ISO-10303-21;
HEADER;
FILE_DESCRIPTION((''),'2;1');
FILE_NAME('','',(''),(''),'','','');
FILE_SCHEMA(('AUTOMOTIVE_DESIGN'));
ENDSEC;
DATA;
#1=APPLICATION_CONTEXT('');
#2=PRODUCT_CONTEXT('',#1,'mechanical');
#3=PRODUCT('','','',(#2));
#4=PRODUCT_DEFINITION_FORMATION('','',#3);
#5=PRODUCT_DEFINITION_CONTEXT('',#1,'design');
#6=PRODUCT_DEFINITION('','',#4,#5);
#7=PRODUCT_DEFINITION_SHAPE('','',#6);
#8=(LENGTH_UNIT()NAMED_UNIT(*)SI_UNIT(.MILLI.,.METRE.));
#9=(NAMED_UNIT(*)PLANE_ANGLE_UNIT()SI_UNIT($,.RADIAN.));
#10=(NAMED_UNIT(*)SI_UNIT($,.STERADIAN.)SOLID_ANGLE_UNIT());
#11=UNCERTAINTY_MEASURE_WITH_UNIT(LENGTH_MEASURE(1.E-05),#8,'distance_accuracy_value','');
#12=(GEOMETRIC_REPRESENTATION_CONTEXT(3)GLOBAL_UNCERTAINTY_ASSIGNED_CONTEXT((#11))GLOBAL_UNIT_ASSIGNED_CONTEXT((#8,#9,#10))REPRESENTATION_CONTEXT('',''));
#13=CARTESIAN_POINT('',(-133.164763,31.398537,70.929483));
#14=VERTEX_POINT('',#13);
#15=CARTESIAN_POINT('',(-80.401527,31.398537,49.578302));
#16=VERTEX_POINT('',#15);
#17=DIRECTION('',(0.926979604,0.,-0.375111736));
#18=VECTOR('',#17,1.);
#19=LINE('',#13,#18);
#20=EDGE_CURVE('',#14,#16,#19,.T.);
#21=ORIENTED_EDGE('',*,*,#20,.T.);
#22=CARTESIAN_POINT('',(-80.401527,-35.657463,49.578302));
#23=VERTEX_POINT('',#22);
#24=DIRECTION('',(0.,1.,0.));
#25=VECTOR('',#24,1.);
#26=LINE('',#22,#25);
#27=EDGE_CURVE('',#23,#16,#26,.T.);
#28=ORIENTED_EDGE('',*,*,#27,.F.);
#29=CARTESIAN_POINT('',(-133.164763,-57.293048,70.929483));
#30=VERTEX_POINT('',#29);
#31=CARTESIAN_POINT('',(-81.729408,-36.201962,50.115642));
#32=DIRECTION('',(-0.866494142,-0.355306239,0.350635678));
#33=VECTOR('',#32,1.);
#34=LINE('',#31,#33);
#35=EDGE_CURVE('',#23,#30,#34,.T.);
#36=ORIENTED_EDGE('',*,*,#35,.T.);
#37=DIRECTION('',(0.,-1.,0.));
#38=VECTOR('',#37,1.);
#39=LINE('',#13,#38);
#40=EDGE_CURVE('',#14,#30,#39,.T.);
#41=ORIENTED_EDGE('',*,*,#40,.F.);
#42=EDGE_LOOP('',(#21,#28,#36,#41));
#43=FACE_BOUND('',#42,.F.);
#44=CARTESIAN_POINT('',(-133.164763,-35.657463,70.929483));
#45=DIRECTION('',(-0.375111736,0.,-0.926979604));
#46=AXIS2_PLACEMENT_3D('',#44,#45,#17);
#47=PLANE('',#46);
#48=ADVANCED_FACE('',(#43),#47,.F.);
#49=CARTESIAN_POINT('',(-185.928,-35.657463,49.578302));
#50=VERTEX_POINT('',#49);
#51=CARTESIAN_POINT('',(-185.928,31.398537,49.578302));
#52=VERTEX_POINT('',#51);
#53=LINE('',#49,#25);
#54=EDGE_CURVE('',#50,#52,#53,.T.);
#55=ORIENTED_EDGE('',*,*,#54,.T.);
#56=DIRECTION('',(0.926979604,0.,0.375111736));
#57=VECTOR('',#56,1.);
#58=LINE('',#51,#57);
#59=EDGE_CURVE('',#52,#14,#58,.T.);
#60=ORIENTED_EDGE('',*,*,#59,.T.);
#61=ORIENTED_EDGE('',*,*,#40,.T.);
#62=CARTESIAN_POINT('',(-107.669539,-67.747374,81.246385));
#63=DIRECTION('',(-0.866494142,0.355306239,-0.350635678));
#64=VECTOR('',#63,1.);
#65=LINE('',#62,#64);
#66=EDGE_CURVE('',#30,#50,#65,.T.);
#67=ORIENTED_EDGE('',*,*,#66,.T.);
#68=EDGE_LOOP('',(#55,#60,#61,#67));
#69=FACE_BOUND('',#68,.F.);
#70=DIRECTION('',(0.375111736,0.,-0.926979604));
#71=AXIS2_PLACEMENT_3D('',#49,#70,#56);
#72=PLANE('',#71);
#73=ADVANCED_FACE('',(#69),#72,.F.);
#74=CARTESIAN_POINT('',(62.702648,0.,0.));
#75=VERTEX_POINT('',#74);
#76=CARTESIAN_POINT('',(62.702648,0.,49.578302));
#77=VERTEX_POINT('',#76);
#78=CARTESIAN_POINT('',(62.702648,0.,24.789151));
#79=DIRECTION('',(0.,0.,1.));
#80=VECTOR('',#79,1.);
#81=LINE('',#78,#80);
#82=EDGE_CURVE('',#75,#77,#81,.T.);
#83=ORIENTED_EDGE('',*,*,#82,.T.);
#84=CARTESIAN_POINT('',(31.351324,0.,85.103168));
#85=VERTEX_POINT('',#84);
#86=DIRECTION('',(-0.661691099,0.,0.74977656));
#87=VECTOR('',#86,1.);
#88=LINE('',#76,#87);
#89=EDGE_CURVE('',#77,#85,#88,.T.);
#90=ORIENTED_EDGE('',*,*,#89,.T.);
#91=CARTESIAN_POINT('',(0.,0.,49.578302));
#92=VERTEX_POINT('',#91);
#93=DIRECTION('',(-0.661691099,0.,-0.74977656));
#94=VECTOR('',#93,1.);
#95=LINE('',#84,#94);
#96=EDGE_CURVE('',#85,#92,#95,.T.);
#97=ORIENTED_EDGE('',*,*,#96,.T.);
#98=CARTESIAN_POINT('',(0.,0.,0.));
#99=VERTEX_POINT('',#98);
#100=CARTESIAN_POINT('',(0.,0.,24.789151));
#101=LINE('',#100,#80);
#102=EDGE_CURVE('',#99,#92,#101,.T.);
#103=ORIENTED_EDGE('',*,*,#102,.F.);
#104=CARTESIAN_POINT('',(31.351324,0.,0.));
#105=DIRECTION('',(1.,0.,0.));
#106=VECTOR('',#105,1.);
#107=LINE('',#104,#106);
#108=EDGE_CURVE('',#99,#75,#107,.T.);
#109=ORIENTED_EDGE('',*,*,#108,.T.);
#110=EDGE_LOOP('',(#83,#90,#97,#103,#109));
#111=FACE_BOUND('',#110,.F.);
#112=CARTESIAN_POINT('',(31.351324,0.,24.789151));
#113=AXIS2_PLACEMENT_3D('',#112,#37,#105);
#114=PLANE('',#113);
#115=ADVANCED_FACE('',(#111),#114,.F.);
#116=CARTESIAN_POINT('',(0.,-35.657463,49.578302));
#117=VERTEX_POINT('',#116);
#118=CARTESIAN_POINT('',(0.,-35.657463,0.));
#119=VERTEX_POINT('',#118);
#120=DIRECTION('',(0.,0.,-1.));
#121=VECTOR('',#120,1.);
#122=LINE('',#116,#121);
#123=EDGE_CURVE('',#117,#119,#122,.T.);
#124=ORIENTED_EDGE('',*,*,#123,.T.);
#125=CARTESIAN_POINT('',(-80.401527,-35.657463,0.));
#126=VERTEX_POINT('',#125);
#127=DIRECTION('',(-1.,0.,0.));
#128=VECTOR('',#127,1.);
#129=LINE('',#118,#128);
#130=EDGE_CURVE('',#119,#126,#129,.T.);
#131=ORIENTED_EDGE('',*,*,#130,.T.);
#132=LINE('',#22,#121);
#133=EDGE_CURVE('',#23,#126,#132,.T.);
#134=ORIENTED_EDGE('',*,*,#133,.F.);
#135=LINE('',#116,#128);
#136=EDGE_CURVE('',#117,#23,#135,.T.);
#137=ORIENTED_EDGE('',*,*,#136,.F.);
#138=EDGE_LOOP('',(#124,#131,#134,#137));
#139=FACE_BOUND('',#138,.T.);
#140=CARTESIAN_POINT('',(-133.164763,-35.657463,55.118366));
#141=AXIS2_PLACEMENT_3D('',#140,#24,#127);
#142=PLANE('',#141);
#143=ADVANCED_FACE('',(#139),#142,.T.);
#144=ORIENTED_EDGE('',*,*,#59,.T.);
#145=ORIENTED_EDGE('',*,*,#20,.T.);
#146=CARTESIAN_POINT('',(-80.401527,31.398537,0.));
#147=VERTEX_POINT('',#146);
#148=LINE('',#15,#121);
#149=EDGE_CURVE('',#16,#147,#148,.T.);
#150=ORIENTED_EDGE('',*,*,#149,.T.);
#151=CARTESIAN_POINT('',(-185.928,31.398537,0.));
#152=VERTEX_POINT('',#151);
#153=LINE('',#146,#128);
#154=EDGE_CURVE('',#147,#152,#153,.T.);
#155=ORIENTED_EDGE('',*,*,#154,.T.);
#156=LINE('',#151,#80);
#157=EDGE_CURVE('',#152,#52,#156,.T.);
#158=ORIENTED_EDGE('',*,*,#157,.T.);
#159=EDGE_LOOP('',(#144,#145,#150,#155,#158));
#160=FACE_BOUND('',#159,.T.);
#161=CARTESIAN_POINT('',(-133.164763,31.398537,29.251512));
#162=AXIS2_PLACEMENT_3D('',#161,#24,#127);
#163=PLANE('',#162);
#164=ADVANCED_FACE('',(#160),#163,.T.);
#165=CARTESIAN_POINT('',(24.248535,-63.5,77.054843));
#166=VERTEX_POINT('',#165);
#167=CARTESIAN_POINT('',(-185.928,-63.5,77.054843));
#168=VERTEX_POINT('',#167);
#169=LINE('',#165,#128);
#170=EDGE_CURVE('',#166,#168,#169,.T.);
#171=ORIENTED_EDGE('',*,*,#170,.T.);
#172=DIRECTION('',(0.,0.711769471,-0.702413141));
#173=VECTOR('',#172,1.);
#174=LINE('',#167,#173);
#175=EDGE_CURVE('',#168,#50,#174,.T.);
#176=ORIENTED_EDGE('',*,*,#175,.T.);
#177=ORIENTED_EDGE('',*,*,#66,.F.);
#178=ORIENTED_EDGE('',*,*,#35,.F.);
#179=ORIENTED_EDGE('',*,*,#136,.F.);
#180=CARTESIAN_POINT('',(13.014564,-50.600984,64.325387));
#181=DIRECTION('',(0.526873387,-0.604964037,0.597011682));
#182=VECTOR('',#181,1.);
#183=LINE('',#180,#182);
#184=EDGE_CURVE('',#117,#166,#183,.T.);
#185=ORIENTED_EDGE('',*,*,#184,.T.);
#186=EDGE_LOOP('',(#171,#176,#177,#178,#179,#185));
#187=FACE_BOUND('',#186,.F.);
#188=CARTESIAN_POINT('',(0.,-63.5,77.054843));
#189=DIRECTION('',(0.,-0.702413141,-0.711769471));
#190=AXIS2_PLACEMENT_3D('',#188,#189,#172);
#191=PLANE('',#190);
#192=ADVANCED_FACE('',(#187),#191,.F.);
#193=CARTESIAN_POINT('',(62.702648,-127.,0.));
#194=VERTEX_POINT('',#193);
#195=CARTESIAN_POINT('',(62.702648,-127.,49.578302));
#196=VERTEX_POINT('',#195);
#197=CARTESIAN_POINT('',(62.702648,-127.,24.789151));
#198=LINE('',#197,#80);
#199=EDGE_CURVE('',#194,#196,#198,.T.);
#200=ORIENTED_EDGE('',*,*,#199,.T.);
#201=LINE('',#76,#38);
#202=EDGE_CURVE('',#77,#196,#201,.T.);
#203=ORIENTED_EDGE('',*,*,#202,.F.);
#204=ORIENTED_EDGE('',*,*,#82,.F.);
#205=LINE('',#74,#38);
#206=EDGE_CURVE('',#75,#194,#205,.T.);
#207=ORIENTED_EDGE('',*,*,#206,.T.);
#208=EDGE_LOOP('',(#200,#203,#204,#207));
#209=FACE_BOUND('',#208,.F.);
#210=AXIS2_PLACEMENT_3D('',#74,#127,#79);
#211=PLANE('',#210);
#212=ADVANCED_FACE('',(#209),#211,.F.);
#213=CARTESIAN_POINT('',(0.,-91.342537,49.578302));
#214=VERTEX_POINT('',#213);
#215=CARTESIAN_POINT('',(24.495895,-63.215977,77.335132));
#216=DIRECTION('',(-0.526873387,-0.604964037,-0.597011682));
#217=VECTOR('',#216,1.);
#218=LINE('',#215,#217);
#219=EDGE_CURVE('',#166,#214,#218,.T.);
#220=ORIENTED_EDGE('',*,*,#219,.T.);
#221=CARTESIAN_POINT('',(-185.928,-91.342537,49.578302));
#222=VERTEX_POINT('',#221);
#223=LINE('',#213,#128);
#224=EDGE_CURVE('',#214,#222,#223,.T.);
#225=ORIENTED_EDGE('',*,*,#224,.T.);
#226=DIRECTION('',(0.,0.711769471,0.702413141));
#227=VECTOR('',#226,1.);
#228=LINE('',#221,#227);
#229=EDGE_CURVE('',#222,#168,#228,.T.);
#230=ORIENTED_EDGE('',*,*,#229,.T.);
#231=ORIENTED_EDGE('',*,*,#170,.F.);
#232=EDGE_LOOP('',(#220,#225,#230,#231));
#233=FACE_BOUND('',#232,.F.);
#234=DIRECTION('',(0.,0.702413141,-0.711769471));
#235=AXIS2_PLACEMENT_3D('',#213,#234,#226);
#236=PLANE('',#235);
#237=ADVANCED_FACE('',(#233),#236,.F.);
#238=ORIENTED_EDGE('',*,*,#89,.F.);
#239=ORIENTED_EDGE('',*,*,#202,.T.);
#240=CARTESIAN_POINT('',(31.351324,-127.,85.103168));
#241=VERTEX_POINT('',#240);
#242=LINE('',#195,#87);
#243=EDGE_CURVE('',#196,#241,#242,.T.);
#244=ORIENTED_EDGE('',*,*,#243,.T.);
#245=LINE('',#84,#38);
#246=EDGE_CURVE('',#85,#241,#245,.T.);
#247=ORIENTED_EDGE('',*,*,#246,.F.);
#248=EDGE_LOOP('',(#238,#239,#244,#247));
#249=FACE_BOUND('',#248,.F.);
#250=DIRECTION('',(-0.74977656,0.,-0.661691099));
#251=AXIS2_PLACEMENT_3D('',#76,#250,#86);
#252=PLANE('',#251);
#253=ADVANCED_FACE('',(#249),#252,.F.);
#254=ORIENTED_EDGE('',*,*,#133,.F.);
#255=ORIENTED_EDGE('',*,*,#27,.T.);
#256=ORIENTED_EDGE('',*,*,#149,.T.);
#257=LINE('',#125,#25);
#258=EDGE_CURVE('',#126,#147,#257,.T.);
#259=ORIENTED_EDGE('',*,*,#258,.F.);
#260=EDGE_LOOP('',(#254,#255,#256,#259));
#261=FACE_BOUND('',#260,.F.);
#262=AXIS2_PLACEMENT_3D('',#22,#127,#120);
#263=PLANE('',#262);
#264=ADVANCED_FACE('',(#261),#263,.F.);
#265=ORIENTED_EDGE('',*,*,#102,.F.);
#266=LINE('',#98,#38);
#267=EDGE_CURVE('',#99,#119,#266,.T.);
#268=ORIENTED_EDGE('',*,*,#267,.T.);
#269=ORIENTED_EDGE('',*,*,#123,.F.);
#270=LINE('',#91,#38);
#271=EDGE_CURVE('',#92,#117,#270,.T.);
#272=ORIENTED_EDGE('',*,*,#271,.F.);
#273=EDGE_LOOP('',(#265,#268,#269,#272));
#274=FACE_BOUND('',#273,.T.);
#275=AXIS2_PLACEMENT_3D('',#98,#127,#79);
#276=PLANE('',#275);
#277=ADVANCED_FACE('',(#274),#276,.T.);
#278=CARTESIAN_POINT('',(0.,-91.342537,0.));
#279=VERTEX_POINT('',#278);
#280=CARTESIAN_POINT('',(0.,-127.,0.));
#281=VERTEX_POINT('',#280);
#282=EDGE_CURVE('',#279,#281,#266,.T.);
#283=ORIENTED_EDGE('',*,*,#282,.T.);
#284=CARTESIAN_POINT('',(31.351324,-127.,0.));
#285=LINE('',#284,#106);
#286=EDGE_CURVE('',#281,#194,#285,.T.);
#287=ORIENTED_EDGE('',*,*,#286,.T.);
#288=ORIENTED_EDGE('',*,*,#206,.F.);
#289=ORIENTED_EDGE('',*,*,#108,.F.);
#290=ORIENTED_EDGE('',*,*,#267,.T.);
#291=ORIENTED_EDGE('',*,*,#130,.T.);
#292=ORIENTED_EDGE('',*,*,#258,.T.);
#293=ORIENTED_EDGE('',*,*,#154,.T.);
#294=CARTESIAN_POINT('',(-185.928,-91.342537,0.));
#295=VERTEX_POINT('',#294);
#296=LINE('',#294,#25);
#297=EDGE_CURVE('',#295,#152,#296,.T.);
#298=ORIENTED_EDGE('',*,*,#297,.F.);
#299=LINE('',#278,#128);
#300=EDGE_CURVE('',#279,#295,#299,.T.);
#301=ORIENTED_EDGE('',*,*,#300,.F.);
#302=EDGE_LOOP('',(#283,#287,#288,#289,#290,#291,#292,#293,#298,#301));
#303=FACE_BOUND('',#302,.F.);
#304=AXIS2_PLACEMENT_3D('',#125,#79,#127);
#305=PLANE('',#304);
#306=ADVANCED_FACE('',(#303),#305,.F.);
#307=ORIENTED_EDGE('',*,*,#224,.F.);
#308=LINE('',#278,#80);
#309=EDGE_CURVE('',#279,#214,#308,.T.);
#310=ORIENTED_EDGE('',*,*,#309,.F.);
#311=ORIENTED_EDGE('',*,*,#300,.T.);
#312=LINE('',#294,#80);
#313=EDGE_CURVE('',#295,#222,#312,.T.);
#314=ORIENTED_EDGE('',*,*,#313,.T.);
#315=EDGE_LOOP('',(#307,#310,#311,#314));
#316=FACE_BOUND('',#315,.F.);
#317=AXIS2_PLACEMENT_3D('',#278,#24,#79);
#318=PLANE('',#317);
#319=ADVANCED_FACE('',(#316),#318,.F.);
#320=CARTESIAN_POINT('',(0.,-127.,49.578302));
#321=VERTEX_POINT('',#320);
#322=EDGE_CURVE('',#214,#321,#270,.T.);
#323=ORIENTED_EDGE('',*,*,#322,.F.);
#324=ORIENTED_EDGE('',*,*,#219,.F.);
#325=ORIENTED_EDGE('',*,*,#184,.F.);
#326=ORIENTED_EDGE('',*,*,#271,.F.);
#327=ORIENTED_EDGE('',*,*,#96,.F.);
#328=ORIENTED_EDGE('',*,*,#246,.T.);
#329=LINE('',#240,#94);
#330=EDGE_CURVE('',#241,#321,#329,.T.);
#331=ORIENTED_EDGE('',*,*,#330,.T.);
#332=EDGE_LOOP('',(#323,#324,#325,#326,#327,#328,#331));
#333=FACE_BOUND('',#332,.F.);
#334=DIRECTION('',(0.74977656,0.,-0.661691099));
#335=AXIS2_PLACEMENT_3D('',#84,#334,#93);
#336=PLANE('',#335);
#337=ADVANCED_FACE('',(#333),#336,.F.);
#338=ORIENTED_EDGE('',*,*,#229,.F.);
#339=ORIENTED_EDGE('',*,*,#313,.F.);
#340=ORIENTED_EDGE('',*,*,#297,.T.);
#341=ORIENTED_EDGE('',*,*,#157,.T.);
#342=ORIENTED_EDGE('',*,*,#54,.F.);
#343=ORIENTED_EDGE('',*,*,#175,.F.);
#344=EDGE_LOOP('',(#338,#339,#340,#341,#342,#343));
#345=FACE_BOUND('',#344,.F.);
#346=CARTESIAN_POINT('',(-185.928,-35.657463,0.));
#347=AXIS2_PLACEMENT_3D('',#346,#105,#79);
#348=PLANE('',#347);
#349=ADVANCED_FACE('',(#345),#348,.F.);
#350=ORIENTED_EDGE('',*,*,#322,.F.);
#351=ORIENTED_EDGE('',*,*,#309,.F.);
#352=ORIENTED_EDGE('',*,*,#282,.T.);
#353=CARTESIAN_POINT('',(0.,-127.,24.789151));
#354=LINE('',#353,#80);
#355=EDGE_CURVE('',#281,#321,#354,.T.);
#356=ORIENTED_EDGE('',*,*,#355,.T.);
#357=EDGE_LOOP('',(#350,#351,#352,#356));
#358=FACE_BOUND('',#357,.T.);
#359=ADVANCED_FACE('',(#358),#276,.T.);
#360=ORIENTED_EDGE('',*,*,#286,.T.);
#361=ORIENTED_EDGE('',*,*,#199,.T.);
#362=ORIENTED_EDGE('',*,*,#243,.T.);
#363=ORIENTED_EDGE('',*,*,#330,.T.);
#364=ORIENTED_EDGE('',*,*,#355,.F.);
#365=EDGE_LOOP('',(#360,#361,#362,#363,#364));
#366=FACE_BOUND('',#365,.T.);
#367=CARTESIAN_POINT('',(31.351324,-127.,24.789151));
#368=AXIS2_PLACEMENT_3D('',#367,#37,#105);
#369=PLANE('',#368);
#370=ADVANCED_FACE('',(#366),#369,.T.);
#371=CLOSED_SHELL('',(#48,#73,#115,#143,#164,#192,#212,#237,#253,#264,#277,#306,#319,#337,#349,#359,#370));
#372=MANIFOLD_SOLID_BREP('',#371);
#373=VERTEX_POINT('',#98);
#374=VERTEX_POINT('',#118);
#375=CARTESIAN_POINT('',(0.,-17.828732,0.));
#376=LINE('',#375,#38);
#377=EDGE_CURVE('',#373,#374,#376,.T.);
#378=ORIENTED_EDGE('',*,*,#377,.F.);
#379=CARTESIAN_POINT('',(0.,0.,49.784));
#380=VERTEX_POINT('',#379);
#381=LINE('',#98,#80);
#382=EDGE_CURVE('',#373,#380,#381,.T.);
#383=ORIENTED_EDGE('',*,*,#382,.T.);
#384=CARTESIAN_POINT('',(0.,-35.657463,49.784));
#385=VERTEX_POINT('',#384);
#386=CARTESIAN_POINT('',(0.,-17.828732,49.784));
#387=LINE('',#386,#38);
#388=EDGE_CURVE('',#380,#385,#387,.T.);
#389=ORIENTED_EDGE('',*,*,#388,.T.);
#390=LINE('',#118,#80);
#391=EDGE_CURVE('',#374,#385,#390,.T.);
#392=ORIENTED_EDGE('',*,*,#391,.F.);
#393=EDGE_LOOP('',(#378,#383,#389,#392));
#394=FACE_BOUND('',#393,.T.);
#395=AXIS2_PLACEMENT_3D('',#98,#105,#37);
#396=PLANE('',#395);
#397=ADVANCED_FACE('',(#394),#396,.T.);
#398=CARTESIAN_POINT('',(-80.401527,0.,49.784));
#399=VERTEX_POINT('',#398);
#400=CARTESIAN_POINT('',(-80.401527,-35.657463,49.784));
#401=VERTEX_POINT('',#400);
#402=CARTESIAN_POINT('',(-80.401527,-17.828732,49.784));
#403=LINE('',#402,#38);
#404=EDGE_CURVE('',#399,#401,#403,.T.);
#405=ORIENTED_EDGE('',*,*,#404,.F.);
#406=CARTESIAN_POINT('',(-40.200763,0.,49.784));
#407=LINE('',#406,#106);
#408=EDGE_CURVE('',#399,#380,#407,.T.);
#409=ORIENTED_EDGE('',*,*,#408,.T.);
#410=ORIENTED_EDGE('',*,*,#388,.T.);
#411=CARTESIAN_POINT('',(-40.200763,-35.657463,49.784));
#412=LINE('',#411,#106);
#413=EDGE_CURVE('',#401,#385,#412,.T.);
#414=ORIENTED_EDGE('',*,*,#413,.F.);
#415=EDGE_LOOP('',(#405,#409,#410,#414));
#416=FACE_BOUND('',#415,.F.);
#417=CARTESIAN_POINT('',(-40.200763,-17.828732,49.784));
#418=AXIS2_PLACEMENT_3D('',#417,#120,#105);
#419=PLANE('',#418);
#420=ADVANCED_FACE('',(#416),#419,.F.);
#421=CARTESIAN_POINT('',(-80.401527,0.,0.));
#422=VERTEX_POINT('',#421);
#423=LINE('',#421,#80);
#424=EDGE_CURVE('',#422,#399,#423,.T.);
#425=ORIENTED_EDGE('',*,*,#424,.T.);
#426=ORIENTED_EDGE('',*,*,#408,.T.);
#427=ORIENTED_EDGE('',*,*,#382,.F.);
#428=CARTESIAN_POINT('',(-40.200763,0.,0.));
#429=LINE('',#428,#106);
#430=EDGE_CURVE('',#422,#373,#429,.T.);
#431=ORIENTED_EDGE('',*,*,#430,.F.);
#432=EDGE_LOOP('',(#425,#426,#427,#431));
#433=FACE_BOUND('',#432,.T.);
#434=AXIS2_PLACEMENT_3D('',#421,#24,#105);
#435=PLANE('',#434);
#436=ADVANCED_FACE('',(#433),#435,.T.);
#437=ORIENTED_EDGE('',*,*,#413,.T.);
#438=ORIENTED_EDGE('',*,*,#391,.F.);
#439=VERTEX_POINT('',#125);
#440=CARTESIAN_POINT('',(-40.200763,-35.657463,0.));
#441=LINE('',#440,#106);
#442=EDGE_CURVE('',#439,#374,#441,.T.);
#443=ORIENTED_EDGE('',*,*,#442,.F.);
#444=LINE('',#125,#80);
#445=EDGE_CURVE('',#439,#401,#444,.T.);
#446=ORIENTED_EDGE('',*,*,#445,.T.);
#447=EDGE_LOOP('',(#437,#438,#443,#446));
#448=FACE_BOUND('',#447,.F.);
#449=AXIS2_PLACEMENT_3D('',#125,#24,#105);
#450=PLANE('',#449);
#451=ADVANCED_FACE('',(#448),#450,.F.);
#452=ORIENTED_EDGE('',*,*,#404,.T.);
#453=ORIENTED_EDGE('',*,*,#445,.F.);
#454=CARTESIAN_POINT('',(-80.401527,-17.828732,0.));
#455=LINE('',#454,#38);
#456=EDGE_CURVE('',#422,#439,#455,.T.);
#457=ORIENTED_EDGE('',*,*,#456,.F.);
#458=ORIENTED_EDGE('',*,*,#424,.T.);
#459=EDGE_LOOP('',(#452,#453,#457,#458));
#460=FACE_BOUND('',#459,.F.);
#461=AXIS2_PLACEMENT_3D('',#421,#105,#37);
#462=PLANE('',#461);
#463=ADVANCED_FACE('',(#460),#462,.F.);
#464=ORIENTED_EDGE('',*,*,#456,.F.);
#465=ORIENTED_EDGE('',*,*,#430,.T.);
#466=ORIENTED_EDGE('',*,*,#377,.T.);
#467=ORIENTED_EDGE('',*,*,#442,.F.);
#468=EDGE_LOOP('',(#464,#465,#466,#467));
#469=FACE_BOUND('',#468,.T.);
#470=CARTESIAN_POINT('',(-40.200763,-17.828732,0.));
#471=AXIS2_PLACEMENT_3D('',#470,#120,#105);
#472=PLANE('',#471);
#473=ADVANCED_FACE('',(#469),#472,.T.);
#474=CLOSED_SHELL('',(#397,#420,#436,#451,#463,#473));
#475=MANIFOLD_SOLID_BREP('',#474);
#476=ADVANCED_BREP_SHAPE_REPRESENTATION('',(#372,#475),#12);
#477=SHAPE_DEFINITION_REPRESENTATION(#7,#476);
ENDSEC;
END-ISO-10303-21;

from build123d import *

# Parameters (mm, degrees)
F0_W     = 62.7026483417
F0_H     = 49.5783016086
F1_DEPTH = 127
F4_DEPTH = 185.928
F7_DEPTH = 67.056
F8_W     = 80.4015269012
F8_H     = 35.6574634314
F9_DEPTH = 49.784


with BuildPart() as f1:
    # F0 (on Front) → F1 (new body)
    with BuildSketch(Plane.XZ):
        with Locations((31.3513241708, 24.7891508043)):
            Rectangle(F0_W, F0_H)
        Polygon((31.3513241708, 85.1031681778), (0, 49.5783016086), (62.7026483417, 49.5783016086), align=None)
    extrude(amount=F1_DEPTH)

    # F2 (on face) → F3 (join, up to the next surface of F1)
    with BuildSketch(Plane(origin=(0, 0, 0), x_dir=(0, -1, 0), z_dir=(-1, 0, 0))):
        Polygon((91.3425365686, 49.5783016086), (63.5, 77.0548433065), (35.6574634314, 49.5783016086), (35.6574634314, 0), (91.3425365686, 0), align=None)
    extrude(until=Until.NEXT, dir=(1, 0, 0))

    # F2 (on face) → F4 (join)
    with BuildSketch(Plane(origin=(0, 0, 0), x_dir=(0, -1, 0), z_dir=(-1, 0, 0))):
        Polygon((91.3425365686, 49.5783016086), (63.5, 77.0548433065), (35.6574634314, 49.5783016086), (35.6574634314, 0), (91.3425365686, 0), align=None)
    extrude(amount=F4_DEPTH)

    # F5 (on face) → F6 (join, up to the next surface of F1)
    with BuildSketch(Plane(origin=(0, -35.6574634314, 0), x_dir=(-1, 0, 0), z_dir=(0, 1, 0))):
        Polygon((80.4015269012, 49.5783016086), (185.928, 49.5783016086), (133.1647634506, 70.9294825792), align=None)
    extrude(until=Until.NEXT, dir=(0, -1, 0))

    # F5 (on face) → F7 (join)
    with BuildSketch(Plane(origin=(0, -35.6574634314, 0), x_dir=(-1, 0, 0), z_dir=(0, 1, 0))):
        Polygon((80.4015269012, 0), (185.928, 0), (185.928, 49.5783016086), (133.1647634506, 70.9294825792), (80.4015269012, 49.5783016086), align=None)
    extrude(amount=F7_DEPTH)


with BuildPart() as f9:
    # F8 (on face) → F9 (new body)
    with BuildSketch(Plane(origin=(0, 0, 0), x_dir=(1, 0, 0), z_dir=(0, 0, -1))):
        with Locations((-40.2007634506, 17.8287317157)):
            Rectangle(F8_W, F8_H)
    extrude(amount=-F9_DEPTH)


solid = Compound([f1.part, f9.part])
